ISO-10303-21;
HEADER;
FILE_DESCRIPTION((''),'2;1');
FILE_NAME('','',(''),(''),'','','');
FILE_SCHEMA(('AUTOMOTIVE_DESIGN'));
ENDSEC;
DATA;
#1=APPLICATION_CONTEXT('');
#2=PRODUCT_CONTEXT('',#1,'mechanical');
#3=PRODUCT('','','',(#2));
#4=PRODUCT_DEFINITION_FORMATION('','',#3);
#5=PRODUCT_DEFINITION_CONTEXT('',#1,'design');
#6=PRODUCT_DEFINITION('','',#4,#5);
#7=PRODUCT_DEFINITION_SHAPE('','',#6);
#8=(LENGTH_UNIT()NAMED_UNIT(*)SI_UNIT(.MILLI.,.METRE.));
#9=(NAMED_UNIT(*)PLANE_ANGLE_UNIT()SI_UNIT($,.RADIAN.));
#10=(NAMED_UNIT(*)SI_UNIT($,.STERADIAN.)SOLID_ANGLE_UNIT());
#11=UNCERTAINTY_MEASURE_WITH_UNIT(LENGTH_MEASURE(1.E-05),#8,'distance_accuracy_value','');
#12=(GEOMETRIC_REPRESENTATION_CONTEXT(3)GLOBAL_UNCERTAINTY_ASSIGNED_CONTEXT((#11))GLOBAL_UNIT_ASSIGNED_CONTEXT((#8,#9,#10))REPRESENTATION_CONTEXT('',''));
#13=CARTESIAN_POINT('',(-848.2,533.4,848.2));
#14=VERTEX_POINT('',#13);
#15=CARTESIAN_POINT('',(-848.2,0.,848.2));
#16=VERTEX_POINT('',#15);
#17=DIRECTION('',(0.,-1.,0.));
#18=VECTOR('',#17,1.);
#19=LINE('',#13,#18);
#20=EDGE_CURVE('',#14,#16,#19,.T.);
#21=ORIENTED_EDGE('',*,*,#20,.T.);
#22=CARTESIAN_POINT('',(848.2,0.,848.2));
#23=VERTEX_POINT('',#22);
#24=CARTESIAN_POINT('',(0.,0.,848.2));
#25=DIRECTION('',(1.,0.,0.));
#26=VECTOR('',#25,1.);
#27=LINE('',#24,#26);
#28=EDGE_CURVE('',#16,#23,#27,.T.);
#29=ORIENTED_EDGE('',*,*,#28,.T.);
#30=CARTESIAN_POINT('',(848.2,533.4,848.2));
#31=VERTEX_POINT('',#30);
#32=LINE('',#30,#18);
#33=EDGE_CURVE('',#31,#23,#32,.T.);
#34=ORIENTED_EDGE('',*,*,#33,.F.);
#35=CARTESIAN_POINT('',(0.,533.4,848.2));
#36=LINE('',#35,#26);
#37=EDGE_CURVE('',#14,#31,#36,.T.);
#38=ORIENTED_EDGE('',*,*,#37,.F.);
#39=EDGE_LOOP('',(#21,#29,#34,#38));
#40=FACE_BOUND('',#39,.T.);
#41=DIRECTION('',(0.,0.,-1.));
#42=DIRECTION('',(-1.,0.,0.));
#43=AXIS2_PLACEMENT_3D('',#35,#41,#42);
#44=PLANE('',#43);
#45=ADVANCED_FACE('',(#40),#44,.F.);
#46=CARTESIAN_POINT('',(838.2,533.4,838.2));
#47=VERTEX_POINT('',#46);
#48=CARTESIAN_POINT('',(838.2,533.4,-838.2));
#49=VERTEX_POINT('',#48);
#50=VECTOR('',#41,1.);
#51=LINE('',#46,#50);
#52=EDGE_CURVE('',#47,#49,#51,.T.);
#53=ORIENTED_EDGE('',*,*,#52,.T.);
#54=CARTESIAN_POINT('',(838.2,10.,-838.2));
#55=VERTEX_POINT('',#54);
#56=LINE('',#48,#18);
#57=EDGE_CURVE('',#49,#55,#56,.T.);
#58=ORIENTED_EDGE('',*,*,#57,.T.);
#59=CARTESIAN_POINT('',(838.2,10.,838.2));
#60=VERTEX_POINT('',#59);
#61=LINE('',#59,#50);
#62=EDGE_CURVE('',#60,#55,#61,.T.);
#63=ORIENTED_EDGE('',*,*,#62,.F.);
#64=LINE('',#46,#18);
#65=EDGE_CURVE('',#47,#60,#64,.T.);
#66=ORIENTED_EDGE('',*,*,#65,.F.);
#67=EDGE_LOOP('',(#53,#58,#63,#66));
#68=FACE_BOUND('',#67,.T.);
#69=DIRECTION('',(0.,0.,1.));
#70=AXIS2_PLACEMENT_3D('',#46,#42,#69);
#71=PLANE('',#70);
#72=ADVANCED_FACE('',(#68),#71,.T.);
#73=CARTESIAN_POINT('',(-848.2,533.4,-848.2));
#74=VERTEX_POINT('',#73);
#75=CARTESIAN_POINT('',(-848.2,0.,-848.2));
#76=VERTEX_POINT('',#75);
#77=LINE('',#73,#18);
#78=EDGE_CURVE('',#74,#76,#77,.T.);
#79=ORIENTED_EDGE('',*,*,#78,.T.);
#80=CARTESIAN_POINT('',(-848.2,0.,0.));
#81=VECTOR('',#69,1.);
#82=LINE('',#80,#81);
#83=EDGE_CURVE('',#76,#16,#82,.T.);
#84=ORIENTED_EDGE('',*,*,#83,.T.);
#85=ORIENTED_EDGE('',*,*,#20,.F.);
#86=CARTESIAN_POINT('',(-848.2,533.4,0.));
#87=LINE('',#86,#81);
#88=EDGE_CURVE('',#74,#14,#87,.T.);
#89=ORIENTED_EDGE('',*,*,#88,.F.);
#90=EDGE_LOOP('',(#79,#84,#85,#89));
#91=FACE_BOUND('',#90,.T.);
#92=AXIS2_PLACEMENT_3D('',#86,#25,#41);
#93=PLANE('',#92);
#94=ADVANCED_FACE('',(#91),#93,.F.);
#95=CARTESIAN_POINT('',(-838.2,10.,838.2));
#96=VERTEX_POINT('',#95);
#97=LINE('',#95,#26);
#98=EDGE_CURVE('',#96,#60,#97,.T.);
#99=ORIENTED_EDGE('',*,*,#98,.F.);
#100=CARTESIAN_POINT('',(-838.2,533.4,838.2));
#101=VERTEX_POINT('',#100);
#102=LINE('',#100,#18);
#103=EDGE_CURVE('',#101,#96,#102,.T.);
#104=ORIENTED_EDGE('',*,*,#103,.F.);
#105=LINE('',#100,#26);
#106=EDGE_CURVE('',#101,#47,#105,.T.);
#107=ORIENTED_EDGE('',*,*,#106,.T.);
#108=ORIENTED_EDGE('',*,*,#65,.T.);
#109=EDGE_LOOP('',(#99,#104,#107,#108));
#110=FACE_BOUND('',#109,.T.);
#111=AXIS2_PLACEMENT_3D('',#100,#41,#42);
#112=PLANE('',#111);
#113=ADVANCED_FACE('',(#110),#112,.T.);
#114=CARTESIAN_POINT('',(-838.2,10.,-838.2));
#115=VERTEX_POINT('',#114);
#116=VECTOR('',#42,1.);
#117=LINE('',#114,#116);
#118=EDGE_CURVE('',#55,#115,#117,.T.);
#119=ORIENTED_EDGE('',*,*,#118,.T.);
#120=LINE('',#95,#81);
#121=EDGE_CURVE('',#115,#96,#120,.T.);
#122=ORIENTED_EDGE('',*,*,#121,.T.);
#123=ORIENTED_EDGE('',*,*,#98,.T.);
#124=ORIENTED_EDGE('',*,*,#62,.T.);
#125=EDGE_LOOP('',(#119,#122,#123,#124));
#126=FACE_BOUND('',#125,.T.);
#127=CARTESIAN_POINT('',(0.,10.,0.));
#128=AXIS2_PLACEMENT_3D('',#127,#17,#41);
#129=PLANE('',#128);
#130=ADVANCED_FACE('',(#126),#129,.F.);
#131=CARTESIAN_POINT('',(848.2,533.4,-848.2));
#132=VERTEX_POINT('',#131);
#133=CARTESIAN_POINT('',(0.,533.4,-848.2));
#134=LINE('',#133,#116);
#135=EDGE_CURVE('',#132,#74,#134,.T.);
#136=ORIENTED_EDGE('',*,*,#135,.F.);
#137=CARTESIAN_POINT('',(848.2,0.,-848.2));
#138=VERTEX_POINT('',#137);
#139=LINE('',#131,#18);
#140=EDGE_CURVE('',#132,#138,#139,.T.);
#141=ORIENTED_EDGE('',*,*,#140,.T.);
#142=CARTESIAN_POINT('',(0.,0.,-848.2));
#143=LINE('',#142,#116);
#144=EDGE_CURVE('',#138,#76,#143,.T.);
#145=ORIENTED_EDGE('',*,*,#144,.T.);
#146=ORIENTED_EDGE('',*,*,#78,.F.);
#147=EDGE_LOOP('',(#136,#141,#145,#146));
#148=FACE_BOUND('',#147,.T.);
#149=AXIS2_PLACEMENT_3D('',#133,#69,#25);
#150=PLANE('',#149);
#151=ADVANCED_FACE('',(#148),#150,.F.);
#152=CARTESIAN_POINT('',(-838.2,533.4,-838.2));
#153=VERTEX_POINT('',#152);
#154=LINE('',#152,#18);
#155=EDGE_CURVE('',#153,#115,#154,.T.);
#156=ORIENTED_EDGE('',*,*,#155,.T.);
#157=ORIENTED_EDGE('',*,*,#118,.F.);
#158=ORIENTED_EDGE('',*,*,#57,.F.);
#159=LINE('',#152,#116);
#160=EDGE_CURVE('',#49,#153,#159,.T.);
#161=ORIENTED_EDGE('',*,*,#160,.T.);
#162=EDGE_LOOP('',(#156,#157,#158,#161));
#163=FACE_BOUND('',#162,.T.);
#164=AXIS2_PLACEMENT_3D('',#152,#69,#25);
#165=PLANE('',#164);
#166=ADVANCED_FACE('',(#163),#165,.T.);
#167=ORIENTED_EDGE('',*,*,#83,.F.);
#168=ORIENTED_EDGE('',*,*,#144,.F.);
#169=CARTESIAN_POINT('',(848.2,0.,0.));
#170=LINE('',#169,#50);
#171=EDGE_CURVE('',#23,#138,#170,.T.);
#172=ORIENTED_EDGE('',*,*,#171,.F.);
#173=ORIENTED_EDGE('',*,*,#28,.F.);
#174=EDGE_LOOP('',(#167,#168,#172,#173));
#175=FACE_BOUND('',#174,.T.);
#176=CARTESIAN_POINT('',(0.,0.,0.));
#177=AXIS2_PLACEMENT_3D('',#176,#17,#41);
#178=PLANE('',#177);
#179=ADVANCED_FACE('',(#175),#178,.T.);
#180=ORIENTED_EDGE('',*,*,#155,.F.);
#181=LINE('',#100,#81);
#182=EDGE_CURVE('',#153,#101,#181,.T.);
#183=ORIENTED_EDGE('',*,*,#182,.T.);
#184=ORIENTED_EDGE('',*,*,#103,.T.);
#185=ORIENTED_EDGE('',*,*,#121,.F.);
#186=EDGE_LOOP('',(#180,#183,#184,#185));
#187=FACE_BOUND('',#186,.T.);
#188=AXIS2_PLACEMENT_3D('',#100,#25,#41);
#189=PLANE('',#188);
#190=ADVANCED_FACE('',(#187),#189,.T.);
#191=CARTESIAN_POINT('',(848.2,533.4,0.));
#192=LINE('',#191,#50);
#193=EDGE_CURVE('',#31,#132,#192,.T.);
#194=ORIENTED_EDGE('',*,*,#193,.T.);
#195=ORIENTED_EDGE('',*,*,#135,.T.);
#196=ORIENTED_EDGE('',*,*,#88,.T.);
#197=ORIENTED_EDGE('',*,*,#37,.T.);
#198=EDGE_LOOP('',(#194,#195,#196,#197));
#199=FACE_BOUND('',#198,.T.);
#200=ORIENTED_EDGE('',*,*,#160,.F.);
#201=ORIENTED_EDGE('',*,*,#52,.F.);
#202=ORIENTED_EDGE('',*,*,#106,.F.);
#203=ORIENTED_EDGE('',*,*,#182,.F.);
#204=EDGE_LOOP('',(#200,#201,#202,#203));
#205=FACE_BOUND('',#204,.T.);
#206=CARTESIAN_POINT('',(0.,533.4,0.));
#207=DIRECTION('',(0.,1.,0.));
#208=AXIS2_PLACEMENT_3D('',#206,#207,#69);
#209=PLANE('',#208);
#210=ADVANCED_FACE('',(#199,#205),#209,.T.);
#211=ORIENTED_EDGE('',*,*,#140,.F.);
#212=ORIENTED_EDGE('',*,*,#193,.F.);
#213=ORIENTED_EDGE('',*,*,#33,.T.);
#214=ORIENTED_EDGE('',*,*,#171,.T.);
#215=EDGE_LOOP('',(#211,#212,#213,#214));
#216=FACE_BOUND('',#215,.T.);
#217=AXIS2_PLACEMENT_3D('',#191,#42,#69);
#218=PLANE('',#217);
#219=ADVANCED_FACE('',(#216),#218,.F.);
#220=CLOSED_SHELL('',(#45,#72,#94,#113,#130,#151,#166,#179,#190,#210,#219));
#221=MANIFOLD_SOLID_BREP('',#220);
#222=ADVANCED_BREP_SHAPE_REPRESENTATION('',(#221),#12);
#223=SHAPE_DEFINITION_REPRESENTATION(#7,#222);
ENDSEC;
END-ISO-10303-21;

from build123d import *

# Parameters (mm, degrees)
SKETCH1_W           = 1676.4
SKETCH1_H           = 1676.4
BOSS_EXTRUDE1_DEPTH = 10
SKETCH1_2_W         = 1696.4
SKETCH1_2_H         = 1696.4
SKETCH1_2_W_2       = 1676.4
SKETCH1_2_H_2       = 1676.4
EXTRUDE_THIN1_DEPTH = 533.4


with BuildPart() as part:
    # Sketch1 → Boss-Extrude1 (new body)
    with BuildSketch(Plane(origin=(0, 0, 0), x_dir=(1, 0, 0), z_dir=(0, 1, 0))):
        Rectangle(SKETCH1_W, SKETCH1_H)
    extrude(amount=BOSS_EXTRUDE1_DEPTH)

    # Sketch1<2> → Extrude-Thin1 (add)
    with BuildSketch(Plane(origin=(0, 0, 0), x_dir=(1, 0, 0), z_dir=(0, 1, 0))):
        Rectangle(SKETCH1_2_W, SKETCH1_2_H)
        Rectangle(SKETCH1_2_W_2, SKETCH1_2_H_2, mode=Mode.SUBTRACT)
    extrude(amount=EXTRUDE_THIN1_DEPTH)


solid = part.part
